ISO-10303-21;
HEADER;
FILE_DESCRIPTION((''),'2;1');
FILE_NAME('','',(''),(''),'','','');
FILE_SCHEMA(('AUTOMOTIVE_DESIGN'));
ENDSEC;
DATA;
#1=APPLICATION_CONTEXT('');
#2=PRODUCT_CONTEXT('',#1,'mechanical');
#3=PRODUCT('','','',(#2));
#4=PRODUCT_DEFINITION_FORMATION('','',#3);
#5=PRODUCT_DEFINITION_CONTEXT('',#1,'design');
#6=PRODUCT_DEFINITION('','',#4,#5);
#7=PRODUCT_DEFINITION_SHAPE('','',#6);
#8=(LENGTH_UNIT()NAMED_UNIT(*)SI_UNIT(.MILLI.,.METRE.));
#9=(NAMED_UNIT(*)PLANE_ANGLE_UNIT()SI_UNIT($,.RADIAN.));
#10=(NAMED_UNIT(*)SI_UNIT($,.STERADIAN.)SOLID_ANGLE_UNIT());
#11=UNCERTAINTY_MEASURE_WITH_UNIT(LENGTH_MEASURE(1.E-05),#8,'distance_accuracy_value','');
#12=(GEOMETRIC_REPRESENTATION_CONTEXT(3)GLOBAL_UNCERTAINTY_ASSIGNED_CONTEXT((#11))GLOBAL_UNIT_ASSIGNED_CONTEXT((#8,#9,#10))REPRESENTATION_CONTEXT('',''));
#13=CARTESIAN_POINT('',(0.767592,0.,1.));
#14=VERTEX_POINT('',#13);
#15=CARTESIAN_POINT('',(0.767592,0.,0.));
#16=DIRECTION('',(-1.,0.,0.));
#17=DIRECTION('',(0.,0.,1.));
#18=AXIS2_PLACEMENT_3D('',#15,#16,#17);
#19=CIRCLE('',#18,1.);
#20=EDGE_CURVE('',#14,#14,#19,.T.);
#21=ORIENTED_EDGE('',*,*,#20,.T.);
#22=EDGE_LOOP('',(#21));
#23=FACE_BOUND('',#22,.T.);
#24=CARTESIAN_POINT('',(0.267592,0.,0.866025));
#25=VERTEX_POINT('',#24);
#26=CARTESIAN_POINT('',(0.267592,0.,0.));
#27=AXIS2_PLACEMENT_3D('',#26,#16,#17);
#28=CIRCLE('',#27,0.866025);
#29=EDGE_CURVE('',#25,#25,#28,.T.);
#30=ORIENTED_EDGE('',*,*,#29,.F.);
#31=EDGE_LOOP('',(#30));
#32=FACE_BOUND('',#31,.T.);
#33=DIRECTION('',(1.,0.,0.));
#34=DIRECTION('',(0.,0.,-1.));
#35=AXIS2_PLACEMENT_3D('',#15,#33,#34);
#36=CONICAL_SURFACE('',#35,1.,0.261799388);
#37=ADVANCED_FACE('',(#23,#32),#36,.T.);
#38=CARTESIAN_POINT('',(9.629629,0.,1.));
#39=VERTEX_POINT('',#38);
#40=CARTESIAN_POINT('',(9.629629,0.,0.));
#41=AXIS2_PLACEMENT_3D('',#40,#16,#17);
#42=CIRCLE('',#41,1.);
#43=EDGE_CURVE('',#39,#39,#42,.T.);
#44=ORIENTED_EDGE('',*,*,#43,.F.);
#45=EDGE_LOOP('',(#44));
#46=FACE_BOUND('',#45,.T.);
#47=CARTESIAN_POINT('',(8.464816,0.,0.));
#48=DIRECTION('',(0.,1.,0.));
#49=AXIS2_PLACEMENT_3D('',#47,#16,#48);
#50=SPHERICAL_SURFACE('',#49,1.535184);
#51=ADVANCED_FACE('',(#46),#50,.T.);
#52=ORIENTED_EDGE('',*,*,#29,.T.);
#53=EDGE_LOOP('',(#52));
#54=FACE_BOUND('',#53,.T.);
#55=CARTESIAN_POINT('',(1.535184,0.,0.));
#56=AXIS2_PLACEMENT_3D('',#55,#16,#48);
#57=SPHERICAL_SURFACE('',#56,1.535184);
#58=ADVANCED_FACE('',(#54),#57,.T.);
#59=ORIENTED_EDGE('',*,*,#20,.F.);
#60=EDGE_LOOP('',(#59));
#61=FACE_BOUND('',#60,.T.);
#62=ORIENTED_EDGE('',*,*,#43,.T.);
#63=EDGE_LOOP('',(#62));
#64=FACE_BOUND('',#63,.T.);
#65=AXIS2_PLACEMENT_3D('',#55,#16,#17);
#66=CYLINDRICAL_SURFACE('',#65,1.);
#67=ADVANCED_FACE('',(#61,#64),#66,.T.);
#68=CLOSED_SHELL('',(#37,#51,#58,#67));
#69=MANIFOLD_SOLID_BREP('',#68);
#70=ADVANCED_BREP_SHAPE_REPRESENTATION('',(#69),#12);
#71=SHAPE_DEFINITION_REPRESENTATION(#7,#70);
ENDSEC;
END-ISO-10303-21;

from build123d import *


with BuildPart() as part:
    # Sketch2 → Body (revolve)
    with BuildSketch(Plane.XY):
        with BuildLine():
            Line((0.767591879, 1), (9.629629176, 1))
            ThreePointArc((9.629629176, 1), (9.904432696, 0.533191932), (10, 0))
            Line((10, 0), (1.535183758, 0))
            Line((1.535183758, 0), (0, 0))
            ThreePointArc((0, 0), (0.068422763, 0.453212261), (0.267591879, 0.866025404))
            Line((0.267591879, 0.866025404), (0.767591879, 1))
        make_face()
    revolve(axis=Axis((1.535183758, 0, 0), (1, 0, 0)))


solid = part.part
